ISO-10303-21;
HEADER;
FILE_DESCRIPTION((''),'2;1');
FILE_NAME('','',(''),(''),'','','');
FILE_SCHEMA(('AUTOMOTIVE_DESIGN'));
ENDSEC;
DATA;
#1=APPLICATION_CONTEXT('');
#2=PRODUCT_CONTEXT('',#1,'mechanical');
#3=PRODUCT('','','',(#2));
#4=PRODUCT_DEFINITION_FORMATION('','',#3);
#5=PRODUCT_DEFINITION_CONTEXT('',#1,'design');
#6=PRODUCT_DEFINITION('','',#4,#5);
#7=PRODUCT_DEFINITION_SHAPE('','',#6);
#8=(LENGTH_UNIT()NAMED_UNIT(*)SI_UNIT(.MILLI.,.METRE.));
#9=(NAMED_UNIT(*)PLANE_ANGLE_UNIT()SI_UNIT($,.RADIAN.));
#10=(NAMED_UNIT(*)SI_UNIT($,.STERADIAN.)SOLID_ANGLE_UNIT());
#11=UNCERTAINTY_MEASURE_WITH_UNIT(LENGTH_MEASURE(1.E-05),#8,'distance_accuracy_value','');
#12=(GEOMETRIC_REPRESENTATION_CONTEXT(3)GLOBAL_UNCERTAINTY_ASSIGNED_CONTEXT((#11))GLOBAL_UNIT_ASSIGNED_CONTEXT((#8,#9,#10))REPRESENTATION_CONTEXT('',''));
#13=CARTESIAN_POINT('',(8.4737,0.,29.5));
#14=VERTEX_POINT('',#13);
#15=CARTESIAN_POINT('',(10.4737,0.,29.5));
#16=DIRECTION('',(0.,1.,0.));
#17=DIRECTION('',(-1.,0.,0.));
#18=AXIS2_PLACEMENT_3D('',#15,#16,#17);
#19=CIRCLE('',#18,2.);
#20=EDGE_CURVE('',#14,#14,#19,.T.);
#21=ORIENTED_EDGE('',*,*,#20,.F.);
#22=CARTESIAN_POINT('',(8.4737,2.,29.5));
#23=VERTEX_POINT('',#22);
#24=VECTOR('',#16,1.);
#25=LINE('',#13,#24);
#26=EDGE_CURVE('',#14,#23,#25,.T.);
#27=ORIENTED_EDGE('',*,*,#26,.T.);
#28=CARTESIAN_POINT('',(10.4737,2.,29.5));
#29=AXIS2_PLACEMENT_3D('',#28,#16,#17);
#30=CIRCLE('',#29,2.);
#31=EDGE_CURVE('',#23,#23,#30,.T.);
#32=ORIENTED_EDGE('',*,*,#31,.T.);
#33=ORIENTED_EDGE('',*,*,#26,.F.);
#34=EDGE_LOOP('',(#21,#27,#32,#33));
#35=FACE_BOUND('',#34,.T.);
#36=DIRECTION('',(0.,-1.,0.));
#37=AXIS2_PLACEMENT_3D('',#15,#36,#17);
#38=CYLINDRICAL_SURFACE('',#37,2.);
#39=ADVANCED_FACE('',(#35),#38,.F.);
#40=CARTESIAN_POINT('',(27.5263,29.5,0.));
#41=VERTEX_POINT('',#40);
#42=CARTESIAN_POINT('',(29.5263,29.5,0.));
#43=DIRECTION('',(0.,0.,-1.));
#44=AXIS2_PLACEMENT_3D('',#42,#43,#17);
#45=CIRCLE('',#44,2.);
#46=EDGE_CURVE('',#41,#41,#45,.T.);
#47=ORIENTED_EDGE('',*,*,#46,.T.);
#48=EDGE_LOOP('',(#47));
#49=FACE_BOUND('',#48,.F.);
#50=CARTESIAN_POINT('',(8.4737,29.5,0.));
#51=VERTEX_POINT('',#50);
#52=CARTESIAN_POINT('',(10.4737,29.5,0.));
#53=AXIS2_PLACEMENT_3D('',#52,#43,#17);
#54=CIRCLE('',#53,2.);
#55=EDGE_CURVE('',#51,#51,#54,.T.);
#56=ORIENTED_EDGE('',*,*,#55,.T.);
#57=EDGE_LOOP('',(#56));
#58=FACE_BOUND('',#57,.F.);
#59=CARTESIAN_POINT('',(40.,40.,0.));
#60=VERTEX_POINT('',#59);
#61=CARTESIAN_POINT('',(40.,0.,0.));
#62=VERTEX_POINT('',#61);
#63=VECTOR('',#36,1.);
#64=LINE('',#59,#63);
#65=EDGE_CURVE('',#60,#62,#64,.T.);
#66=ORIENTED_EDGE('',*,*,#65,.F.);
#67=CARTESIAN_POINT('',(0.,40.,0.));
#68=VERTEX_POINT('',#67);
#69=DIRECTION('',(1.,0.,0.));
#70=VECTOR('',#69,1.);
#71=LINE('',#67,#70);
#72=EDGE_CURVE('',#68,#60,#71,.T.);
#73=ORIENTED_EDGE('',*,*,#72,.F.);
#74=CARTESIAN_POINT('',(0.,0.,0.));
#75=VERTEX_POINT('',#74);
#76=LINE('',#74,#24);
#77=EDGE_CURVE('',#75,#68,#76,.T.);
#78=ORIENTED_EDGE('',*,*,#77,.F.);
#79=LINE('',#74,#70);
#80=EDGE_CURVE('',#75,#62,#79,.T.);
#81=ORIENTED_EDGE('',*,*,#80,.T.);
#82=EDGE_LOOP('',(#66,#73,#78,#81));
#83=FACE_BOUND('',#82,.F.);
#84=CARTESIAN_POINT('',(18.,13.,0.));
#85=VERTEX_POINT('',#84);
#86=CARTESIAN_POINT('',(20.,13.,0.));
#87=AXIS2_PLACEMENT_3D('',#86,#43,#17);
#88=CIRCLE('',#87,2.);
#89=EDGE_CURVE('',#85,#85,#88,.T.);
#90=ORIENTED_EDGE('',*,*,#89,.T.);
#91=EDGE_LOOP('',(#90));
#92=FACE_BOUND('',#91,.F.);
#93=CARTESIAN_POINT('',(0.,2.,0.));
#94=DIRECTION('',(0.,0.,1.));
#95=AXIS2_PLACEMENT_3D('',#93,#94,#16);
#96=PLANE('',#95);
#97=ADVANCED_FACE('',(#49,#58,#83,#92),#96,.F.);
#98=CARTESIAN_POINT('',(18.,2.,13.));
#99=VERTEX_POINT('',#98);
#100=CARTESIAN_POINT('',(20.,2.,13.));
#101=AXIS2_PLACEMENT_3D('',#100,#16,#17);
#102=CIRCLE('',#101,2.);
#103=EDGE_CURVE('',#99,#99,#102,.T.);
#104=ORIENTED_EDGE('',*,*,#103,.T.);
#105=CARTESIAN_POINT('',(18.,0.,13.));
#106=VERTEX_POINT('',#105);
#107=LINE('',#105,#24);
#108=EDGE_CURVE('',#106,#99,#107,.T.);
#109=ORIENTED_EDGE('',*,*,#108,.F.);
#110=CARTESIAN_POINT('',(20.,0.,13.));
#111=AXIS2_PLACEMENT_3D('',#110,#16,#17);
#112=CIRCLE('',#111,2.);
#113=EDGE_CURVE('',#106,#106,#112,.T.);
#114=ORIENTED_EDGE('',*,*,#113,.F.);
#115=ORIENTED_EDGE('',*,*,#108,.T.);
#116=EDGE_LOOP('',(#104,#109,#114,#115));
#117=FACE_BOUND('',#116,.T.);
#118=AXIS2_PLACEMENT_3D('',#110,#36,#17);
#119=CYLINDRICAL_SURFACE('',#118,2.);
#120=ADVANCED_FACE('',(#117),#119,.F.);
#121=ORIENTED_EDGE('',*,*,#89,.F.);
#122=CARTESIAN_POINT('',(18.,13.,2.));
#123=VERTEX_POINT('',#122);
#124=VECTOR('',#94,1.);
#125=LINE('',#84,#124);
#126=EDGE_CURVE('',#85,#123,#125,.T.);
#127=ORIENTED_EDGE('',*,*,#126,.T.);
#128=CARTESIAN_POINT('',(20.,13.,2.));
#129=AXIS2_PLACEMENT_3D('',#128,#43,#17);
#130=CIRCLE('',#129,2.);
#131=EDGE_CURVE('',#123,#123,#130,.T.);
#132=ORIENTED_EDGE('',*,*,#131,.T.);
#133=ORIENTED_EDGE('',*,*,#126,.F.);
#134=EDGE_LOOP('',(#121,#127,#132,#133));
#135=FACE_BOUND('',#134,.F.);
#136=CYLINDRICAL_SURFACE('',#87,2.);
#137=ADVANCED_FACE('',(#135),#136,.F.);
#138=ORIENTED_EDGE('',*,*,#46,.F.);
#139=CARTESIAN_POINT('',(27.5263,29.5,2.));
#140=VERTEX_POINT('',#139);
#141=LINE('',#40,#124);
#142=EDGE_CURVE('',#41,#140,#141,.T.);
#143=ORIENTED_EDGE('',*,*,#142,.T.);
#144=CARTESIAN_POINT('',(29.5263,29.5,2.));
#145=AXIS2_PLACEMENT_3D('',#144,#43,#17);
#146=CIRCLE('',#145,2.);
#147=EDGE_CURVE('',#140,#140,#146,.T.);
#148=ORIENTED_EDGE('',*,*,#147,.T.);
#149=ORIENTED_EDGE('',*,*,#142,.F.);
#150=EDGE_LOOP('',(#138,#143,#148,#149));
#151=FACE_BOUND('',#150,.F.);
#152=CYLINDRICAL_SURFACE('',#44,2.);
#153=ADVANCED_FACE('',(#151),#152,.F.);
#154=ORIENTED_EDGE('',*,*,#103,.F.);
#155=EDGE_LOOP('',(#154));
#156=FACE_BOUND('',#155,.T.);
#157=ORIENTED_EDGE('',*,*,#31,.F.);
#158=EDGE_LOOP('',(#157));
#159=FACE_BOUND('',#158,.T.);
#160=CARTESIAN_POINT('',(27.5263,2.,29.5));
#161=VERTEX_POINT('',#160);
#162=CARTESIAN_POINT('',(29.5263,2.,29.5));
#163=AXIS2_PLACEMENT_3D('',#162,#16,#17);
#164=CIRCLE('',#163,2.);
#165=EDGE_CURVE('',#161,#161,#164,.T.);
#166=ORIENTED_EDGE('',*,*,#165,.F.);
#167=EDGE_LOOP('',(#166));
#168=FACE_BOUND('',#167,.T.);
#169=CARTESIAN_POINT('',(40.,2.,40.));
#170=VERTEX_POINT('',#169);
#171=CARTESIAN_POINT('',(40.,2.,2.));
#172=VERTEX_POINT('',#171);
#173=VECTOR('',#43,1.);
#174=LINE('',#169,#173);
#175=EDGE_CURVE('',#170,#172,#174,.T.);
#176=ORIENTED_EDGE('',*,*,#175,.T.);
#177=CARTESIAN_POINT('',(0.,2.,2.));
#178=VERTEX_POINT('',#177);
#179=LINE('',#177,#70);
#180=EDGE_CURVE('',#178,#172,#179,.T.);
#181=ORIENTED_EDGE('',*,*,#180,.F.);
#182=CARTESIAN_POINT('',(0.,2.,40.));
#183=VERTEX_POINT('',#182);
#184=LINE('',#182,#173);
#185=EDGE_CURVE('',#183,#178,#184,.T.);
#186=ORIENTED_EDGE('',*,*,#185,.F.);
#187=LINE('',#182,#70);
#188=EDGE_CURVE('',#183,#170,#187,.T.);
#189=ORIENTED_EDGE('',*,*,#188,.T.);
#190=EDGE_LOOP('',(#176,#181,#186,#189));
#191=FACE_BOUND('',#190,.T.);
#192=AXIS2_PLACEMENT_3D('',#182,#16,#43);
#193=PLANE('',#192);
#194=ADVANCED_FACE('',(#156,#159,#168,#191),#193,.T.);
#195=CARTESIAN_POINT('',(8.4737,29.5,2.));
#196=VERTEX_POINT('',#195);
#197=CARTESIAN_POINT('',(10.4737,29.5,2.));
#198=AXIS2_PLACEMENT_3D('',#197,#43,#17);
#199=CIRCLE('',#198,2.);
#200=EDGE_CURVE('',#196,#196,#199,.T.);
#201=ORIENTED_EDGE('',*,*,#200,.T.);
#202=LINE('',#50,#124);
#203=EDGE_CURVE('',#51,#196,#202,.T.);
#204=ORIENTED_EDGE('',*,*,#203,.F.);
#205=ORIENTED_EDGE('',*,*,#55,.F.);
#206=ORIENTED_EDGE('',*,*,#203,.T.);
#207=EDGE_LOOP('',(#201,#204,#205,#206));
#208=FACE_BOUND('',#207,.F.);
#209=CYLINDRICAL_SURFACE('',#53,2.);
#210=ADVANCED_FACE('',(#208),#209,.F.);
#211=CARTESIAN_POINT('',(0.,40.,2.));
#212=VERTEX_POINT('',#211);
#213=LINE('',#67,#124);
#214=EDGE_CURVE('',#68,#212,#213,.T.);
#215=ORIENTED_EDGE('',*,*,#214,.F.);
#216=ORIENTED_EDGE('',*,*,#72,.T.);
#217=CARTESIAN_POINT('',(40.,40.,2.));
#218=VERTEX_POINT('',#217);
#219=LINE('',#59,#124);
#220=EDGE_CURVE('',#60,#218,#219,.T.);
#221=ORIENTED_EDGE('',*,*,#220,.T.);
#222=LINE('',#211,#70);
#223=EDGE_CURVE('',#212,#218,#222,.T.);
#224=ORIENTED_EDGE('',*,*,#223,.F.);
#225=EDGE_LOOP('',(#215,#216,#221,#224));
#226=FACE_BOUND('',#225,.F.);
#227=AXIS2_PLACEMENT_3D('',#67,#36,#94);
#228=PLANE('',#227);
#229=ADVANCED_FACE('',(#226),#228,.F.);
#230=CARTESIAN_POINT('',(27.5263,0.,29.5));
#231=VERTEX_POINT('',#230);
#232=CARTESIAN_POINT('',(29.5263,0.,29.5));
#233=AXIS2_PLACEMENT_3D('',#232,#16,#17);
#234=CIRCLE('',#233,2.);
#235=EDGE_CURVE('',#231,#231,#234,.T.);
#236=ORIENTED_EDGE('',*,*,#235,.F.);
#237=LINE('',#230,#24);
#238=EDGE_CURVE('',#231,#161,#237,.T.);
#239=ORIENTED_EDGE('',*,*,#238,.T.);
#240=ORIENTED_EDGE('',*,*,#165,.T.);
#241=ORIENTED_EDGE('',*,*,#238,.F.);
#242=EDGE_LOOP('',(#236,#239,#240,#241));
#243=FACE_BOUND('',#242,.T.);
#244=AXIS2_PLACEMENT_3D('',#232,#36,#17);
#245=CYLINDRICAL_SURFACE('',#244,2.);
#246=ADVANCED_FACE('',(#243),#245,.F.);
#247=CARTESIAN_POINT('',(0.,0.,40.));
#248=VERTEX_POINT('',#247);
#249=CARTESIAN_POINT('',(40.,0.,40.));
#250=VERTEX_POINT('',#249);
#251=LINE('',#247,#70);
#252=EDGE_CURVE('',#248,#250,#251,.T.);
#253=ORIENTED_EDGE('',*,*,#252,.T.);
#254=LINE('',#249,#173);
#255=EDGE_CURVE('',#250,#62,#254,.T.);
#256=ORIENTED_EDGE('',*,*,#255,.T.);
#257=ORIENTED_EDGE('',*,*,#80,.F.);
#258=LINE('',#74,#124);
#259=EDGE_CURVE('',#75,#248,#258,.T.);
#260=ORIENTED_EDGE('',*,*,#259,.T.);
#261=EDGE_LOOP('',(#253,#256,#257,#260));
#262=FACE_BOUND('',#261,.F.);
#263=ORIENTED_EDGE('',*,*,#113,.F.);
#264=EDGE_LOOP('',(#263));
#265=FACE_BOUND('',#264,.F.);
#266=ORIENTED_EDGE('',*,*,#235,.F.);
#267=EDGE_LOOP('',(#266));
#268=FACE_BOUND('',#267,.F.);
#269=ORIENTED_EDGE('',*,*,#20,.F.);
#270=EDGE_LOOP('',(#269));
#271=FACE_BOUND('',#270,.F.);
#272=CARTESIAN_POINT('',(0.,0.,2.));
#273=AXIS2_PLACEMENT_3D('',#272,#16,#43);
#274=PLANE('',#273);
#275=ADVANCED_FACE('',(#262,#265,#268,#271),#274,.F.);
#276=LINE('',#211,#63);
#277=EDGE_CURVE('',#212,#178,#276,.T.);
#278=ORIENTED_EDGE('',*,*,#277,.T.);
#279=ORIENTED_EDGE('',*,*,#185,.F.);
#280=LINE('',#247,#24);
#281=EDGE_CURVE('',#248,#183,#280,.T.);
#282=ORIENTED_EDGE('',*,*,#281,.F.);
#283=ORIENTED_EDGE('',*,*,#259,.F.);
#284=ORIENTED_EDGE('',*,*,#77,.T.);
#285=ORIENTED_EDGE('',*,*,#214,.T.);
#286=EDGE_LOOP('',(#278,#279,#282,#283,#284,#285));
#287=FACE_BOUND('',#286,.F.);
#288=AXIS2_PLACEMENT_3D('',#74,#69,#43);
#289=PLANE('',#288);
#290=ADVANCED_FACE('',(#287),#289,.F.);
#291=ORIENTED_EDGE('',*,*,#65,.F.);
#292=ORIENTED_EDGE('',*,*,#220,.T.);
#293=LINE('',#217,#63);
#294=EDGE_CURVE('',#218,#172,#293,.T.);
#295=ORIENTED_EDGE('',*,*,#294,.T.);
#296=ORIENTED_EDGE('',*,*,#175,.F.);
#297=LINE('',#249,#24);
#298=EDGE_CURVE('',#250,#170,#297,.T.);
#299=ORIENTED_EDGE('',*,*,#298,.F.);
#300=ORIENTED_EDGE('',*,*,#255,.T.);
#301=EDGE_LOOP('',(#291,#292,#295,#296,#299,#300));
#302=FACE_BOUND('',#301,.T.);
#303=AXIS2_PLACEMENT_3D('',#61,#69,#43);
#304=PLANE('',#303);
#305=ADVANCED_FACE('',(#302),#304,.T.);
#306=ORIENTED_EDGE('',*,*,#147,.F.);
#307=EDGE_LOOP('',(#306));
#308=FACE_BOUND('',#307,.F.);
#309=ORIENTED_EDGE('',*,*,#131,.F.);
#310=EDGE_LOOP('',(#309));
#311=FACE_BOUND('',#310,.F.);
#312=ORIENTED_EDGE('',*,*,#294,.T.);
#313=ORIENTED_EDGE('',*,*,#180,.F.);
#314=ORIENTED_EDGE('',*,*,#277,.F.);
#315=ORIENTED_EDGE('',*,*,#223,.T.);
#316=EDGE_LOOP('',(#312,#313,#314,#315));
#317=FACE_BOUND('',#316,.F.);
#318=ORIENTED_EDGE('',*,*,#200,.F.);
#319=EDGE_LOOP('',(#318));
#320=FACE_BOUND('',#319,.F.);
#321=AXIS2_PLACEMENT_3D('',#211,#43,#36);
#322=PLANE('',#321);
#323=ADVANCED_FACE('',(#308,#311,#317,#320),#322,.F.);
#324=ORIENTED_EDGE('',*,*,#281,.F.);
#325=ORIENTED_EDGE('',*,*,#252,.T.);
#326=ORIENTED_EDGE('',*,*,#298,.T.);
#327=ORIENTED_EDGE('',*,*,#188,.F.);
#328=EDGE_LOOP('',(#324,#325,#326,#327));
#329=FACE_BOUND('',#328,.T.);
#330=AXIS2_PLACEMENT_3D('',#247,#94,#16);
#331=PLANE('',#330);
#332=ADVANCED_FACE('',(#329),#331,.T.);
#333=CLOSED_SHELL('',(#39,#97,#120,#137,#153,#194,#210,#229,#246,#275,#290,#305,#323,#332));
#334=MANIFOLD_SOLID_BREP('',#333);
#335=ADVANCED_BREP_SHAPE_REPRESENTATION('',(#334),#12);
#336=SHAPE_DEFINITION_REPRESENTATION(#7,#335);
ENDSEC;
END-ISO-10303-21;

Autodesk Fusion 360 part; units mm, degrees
sketch "Sketch1" plane through (0, 0, 0) normal (1, 0, 0) x (0, 0, -1)
  line L0 (0, 40) -> (-2, 40)
  line L1 (-2, 40) -> (-2, 0)
  line L2 (-2, 0) -> (0, 0)
  line L3 (0, 0) -> (0, 40)
  line L4 (0, 0) -> (-40, 0)
  line L5 (-40, 0) -> (-40, 2)
  line L6 (-40, 2) -> (0, 2)
  line L7 (0, 2) -> (0, 0)
  dimension "d1" = 2
  dimension "d2" = 40
extrude "Extrude1" add sketch "Sketch1" along normal blind 40
sketch "Sketch2" plane through (0, 0, 0) normal (0, 0, -1) x (-1, 0, 0)
  circle A0 centre (-20, 13) radius 2
  circle A1 centre (-10.4737, 29.5) radius 2
  circle A2 centre (-29.5263, 29.5) radius 2
  point P0 (-20, 24)
  dimension "d5" = 4
  dimension "d8" = 360
extrude "Extrude2" cut sketch "Sketch2" against normal blind 2
ref_plane "WorkPlane1" through (0, 2, 2) normal (0, -0.7071, 0.7071) x (1, 0, 0)
mirror "Mirror1" about plane through (0, 2, 2) normal (0, -0.7071, 0.7071) of "Extrude2"
